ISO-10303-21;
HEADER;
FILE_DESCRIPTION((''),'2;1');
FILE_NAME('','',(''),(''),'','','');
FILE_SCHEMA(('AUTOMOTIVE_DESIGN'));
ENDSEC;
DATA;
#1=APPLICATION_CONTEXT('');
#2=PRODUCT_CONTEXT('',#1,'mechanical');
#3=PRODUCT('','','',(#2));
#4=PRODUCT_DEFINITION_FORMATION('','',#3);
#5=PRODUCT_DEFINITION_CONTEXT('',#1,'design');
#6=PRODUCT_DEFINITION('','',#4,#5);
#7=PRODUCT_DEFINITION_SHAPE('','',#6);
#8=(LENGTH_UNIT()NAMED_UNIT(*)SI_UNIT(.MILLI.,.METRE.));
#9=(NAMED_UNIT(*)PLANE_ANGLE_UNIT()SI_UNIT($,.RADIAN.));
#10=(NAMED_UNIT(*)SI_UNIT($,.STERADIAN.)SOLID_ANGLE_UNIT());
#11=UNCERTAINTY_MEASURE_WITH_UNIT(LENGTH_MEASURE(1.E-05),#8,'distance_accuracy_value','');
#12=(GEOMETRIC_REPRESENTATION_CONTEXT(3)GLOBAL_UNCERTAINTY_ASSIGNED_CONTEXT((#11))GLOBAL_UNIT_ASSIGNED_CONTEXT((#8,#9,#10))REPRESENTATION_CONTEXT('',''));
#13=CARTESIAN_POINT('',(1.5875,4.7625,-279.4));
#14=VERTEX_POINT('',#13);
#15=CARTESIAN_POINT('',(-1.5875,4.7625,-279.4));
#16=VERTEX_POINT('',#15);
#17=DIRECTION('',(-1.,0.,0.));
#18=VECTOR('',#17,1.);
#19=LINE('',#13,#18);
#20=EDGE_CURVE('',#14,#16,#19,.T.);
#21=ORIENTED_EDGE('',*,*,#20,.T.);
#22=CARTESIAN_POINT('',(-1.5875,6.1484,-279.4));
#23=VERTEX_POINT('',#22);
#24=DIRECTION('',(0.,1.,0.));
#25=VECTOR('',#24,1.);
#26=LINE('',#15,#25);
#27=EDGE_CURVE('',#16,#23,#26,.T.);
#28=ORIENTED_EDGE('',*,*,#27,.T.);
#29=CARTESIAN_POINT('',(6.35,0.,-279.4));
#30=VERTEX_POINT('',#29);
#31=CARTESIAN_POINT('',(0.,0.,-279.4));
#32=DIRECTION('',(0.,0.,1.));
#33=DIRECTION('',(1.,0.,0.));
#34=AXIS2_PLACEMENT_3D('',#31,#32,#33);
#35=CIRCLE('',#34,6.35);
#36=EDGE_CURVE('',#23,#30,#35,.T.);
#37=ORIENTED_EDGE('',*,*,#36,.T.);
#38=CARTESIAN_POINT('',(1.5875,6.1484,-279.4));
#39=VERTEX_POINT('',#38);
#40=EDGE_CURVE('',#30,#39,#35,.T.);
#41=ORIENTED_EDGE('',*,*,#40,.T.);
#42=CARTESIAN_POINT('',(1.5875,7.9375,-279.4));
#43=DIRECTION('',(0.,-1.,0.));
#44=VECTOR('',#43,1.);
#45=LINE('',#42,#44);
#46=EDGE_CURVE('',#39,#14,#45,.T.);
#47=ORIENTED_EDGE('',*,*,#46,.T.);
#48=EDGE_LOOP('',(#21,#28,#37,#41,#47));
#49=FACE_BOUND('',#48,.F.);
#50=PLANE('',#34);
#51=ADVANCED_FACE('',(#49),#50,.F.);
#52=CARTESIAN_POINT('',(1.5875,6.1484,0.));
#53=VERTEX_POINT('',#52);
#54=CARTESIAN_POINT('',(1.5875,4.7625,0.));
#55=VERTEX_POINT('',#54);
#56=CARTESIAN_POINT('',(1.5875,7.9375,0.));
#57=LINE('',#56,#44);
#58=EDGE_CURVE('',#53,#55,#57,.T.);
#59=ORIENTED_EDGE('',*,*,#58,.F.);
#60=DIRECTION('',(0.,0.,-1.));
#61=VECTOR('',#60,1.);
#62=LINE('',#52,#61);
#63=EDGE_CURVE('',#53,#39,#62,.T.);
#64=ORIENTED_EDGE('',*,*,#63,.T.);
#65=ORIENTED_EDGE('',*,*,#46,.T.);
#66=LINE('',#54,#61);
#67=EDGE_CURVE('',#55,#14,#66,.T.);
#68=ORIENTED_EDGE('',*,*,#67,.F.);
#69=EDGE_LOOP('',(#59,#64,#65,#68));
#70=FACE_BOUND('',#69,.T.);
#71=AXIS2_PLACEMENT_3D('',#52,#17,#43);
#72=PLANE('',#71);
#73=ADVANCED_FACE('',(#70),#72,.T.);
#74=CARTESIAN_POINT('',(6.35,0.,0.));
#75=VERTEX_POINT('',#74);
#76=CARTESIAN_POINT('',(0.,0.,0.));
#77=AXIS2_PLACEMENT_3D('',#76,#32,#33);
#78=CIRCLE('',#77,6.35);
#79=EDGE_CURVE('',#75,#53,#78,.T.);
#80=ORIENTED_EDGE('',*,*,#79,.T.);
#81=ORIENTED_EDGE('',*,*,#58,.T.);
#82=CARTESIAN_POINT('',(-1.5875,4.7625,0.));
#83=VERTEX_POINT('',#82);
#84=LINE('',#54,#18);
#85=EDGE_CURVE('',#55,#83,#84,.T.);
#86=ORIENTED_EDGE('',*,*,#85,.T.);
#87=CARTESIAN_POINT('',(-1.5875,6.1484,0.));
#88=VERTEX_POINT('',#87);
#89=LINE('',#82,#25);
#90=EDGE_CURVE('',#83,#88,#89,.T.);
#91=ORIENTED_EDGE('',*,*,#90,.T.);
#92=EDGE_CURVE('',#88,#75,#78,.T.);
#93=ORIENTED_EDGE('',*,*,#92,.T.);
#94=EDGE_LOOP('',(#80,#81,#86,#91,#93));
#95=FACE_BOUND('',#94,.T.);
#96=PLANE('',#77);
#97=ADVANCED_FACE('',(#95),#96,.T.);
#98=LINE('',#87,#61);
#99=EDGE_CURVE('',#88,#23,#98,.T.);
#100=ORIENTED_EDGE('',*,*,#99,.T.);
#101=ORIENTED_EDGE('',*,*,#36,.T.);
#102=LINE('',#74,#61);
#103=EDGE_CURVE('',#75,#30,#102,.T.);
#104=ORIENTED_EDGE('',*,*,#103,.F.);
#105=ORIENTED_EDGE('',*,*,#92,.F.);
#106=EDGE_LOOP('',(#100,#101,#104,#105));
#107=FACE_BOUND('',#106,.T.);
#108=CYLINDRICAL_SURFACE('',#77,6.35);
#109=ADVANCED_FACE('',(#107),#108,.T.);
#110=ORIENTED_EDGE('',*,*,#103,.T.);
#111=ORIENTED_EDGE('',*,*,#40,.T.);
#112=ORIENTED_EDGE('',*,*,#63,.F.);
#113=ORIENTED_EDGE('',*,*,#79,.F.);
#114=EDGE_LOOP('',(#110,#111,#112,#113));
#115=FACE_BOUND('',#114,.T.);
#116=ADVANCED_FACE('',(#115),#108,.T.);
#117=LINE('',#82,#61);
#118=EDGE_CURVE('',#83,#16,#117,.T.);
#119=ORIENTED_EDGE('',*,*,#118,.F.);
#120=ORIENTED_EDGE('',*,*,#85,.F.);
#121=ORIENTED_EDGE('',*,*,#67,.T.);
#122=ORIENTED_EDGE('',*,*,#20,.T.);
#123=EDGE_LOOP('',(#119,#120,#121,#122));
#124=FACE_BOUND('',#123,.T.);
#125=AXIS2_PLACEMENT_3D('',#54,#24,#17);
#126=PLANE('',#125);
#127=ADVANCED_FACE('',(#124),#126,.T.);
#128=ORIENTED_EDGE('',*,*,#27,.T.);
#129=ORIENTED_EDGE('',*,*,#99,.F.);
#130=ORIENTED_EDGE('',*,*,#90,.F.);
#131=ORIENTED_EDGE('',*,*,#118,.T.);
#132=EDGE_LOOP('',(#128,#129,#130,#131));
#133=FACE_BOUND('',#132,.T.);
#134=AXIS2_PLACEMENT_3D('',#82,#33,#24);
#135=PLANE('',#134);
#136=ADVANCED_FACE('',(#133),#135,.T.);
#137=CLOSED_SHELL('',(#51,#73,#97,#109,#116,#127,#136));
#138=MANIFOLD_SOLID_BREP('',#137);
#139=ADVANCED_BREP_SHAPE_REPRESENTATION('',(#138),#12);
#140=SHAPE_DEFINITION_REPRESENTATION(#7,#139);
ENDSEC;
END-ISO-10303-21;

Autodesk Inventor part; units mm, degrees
ref_plane "YZ Plane" through (0, 0, 0) normal (1, 0, 0) x (0, 1, 0)
ref_plane "XZ Plane" through (0, 0, 0) normal (0, 1, 0) x (-1, 0, 0)
ref_plane "XY Plane" through (0, 0, 0) normal (0, 0, 1) x (1, 0, 0)
sketch "Sketch1" plane through (0, 0, 0) normal (0, 0, 1) x (1, 0, 0)
  circle A0 centre (0, 0) radius 6.35
  line L0 (-1.5875, 7.9375) -> (1.5875, 7.9375)
  line L1 (1.5875, 7.9375) -> (1.5875, 4.7625)
  line L2 (1.5875, 4.7625) -> (-1.5875, 4.7625)
  line L3 (-1.5875, 4.7625) -> (-1.5875, 7.9375)
  line L4 (1.5875, 4.7625) -> (1.5875, 6.1484)
  line L5 (-1.5875, 4.7625) -> (-1.5875, 6.1484)
  line L6 (1.5875, 4.7625) -> (-1.5875, 4.7625)
  point P0 (0, 4.7625)
  dimension "d0" = 12.7
  dimension "d1" = 3.175
  dimension "d2" = 3.175
  dimension "d3" = 4.7625
extrude "Extrusion1" add sketch "Sketch1" against normal blind 279.4 contours A0 L3 L2 L1 picked at (0.1781, 1.0658)
properties part number "11in axle"
